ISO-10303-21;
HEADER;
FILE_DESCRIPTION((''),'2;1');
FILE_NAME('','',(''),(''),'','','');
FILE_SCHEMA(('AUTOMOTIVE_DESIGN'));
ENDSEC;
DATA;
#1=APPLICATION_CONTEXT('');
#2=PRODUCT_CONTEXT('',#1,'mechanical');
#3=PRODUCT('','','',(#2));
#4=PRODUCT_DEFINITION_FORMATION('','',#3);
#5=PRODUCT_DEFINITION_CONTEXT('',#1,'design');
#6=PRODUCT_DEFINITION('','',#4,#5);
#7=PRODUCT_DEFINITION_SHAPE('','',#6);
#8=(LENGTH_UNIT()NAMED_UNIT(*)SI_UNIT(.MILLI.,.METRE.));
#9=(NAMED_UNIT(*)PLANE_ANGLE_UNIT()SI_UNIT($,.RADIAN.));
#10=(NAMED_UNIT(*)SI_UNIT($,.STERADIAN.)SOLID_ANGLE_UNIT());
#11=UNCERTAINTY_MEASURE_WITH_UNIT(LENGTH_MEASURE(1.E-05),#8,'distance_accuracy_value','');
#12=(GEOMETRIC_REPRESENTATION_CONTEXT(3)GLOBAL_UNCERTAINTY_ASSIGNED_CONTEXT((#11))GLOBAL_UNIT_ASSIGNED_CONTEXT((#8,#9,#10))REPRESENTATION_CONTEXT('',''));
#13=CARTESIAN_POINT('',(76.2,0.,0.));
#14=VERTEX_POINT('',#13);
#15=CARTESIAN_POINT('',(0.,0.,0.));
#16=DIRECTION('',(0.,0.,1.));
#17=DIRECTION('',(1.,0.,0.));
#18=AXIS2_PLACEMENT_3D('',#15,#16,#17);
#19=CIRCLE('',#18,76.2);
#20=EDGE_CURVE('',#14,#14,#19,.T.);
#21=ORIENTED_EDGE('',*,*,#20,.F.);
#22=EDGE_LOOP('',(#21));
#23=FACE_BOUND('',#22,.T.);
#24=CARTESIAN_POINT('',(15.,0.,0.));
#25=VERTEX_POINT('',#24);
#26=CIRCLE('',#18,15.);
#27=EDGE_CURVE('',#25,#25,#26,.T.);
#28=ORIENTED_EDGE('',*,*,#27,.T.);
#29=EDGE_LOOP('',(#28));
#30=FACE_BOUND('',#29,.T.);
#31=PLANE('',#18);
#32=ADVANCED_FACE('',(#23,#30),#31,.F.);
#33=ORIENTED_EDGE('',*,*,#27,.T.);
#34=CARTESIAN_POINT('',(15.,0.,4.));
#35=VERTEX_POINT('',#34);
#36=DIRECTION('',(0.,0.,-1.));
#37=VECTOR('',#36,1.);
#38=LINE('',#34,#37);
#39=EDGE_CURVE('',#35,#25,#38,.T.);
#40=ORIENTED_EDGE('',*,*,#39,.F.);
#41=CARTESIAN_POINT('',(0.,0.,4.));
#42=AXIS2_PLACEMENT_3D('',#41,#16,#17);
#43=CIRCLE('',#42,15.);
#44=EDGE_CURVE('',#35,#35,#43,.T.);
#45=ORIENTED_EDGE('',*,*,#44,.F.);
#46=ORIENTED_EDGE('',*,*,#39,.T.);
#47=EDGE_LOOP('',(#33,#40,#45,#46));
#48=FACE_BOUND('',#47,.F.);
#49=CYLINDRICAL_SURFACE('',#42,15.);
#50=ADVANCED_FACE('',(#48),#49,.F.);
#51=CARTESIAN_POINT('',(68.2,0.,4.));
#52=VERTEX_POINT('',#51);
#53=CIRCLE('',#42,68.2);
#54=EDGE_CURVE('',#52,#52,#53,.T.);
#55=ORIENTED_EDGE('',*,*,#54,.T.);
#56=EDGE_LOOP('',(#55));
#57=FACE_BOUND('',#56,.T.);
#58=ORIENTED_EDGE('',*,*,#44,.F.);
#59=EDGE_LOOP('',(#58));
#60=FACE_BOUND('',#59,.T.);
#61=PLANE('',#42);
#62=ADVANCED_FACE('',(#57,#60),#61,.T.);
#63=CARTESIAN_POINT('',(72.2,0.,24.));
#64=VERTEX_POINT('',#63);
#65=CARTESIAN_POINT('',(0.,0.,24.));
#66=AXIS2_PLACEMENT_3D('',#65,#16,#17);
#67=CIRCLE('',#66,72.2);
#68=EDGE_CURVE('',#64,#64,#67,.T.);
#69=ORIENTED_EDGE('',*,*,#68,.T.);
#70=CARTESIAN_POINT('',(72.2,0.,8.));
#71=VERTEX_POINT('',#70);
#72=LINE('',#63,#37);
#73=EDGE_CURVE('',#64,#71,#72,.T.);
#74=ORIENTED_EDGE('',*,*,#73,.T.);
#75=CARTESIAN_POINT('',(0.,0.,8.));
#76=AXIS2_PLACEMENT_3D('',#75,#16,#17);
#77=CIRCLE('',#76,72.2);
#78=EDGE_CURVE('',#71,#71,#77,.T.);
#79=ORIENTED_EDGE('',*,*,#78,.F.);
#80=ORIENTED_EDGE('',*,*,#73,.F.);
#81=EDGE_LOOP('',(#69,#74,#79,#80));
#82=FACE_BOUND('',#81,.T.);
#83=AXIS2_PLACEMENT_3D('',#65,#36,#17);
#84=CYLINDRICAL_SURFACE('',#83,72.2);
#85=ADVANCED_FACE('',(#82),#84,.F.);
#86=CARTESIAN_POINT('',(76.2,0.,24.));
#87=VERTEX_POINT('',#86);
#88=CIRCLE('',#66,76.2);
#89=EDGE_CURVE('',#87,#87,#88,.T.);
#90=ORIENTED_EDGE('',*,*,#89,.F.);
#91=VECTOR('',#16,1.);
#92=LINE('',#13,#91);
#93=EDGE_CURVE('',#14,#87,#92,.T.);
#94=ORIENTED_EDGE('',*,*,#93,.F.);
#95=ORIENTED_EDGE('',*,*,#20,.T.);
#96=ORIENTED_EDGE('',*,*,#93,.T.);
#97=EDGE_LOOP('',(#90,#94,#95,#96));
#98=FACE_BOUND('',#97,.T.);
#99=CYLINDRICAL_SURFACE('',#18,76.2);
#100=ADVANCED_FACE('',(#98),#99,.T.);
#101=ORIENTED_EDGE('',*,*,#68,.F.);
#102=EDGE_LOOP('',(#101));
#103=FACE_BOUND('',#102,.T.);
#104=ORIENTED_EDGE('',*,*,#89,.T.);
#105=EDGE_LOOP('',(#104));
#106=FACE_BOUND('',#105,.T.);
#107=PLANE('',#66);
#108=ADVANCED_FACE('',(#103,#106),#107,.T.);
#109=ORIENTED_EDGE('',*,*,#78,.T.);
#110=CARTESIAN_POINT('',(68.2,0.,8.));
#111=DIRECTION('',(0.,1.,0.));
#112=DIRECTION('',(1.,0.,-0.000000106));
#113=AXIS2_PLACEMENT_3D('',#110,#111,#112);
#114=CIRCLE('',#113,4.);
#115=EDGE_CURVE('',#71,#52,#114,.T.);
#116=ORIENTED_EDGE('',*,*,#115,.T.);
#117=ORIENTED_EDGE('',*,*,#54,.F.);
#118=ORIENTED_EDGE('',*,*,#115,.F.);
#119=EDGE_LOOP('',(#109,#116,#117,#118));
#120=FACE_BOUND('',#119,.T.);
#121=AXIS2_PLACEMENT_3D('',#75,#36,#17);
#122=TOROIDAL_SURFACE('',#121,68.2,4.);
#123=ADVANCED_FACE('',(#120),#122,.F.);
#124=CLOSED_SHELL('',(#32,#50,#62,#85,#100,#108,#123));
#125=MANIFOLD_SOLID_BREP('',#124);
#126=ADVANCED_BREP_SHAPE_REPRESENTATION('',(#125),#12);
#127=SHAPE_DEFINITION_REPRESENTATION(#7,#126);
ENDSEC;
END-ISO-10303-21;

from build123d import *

# Parameters (mm, degrees)
F2_R     = 15
F3_DEPTH = 25


with BuildPart() as f1:
    # F0 (on Front) → F1 (revolve)
    with BuildSketch(Plane.XZ):
        with BuildLine():
            Line((0, 4), (0, 0))
            Line((0, 0), (72.2, 0))
            Line((72.2, 0), (76.2, 0))
            Line((76.2, 0), (76.2, 4))
            Line((76.2, 4), (76.2, 24))
            Line((76.2, 24), (72.2, 24))
            Line((72.2, 24), (72.2, 8))
            ThreePointArc((72.2, 8), (71.028427, 5.171573), (68.2, 4))
            Line((68.2, 4), (0, 4))
        make_face()
    revolve(axis=Axis((0, 0, 2), (0, 0, 1)))

    # F2 (on face) → F3 (cut)
    with BuildSketch(Plane.XY.offset(4)):
        Circle(F2_R)
    extrude(amount=-F3_DEPTH, mode=Mode.SUBTRACT)


solid = f1.part
